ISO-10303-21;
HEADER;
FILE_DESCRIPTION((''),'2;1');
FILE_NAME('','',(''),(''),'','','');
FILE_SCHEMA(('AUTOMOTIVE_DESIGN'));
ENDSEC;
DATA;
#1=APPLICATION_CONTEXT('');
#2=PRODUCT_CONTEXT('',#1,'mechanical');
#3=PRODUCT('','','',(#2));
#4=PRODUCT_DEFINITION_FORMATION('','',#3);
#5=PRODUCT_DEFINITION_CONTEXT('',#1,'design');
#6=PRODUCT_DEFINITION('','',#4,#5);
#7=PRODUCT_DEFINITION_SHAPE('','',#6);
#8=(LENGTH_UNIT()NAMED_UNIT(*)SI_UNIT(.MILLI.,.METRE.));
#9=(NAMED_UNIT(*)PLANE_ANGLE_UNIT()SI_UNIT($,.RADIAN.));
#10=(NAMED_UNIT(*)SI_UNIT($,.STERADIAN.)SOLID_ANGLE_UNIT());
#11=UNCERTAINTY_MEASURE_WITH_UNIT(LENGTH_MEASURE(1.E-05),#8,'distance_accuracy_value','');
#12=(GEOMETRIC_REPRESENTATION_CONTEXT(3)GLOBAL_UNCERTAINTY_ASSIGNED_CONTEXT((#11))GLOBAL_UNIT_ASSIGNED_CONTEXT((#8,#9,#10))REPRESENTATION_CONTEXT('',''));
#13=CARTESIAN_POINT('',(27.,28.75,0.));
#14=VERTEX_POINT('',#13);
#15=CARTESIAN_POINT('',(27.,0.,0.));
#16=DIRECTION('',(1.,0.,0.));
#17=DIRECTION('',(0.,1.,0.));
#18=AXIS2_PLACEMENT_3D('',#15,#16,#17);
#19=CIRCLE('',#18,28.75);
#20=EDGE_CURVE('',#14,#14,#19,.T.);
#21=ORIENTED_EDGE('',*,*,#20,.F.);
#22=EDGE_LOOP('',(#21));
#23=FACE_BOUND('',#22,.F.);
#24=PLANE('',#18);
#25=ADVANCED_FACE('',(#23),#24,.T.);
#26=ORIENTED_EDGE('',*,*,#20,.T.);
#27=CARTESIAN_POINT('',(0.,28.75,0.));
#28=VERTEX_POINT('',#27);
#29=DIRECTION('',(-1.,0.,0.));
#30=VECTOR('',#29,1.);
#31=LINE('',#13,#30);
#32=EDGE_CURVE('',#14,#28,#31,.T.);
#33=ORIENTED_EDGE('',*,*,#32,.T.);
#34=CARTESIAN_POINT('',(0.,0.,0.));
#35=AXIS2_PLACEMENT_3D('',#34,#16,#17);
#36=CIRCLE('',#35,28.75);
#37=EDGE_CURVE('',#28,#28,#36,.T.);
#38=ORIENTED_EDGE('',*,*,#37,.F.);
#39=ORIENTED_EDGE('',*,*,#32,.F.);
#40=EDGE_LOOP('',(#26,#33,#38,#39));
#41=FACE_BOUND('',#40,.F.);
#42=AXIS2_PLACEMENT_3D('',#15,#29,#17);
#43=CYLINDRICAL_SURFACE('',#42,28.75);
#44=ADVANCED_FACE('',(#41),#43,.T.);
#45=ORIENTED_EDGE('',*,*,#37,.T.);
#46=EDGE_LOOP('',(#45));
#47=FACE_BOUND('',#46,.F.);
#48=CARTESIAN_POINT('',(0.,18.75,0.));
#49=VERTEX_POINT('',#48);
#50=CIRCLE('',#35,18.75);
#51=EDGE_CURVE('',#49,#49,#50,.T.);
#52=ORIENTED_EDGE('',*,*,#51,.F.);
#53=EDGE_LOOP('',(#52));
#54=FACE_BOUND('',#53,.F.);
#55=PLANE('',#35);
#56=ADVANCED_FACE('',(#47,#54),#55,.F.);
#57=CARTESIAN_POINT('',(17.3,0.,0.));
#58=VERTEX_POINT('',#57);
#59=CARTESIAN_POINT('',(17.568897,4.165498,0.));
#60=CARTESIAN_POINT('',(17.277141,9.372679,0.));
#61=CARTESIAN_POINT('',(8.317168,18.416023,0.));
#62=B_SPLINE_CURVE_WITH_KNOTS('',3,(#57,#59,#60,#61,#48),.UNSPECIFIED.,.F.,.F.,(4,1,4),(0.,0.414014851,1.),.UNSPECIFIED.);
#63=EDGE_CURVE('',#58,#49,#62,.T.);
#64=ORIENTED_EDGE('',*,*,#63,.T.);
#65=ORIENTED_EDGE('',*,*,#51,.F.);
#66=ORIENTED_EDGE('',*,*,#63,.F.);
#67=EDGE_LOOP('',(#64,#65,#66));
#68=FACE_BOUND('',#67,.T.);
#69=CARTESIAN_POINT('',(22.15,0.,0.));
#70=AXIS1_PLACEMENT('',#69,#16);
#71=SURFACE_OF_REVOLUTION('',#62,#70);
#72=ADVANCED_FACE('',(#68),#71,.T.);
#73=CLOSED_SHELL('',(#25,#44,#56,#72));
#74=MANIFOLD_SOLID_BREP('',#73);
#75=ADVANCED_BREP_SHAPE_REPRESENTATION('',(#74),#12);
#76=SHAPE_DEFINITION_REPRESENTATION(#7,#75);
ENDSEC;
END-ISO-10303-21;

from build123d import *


with BuildPart() as f1:
    # F0 (on Top) → F1 (revolve)
    with BuildSketch(Plane.XY):
        with BuildLine():
            add(Edge.make_bspline(
                [(17.3, 0), (17.5688969569, 4.165498134), (17.2771412725, 9.3726794605), (8.3171678707, 18.4160228819), (0, 18.75)],
                knots=[0, 0, 0, 0, 0.4140148513, 1, 1, 1, 1], degree=3))
            Line((17.3, 0), (27, 0))
            Line((27, 0), (27, 28.75))
            Line((27, 28.75), (0, 28.75))
            Line((0, 28.75), (0, 18.75))
        make_face()
    revolve(axis=Axis((22.15, 0, 0), (1, 0, 0)))


solid = f1.part
